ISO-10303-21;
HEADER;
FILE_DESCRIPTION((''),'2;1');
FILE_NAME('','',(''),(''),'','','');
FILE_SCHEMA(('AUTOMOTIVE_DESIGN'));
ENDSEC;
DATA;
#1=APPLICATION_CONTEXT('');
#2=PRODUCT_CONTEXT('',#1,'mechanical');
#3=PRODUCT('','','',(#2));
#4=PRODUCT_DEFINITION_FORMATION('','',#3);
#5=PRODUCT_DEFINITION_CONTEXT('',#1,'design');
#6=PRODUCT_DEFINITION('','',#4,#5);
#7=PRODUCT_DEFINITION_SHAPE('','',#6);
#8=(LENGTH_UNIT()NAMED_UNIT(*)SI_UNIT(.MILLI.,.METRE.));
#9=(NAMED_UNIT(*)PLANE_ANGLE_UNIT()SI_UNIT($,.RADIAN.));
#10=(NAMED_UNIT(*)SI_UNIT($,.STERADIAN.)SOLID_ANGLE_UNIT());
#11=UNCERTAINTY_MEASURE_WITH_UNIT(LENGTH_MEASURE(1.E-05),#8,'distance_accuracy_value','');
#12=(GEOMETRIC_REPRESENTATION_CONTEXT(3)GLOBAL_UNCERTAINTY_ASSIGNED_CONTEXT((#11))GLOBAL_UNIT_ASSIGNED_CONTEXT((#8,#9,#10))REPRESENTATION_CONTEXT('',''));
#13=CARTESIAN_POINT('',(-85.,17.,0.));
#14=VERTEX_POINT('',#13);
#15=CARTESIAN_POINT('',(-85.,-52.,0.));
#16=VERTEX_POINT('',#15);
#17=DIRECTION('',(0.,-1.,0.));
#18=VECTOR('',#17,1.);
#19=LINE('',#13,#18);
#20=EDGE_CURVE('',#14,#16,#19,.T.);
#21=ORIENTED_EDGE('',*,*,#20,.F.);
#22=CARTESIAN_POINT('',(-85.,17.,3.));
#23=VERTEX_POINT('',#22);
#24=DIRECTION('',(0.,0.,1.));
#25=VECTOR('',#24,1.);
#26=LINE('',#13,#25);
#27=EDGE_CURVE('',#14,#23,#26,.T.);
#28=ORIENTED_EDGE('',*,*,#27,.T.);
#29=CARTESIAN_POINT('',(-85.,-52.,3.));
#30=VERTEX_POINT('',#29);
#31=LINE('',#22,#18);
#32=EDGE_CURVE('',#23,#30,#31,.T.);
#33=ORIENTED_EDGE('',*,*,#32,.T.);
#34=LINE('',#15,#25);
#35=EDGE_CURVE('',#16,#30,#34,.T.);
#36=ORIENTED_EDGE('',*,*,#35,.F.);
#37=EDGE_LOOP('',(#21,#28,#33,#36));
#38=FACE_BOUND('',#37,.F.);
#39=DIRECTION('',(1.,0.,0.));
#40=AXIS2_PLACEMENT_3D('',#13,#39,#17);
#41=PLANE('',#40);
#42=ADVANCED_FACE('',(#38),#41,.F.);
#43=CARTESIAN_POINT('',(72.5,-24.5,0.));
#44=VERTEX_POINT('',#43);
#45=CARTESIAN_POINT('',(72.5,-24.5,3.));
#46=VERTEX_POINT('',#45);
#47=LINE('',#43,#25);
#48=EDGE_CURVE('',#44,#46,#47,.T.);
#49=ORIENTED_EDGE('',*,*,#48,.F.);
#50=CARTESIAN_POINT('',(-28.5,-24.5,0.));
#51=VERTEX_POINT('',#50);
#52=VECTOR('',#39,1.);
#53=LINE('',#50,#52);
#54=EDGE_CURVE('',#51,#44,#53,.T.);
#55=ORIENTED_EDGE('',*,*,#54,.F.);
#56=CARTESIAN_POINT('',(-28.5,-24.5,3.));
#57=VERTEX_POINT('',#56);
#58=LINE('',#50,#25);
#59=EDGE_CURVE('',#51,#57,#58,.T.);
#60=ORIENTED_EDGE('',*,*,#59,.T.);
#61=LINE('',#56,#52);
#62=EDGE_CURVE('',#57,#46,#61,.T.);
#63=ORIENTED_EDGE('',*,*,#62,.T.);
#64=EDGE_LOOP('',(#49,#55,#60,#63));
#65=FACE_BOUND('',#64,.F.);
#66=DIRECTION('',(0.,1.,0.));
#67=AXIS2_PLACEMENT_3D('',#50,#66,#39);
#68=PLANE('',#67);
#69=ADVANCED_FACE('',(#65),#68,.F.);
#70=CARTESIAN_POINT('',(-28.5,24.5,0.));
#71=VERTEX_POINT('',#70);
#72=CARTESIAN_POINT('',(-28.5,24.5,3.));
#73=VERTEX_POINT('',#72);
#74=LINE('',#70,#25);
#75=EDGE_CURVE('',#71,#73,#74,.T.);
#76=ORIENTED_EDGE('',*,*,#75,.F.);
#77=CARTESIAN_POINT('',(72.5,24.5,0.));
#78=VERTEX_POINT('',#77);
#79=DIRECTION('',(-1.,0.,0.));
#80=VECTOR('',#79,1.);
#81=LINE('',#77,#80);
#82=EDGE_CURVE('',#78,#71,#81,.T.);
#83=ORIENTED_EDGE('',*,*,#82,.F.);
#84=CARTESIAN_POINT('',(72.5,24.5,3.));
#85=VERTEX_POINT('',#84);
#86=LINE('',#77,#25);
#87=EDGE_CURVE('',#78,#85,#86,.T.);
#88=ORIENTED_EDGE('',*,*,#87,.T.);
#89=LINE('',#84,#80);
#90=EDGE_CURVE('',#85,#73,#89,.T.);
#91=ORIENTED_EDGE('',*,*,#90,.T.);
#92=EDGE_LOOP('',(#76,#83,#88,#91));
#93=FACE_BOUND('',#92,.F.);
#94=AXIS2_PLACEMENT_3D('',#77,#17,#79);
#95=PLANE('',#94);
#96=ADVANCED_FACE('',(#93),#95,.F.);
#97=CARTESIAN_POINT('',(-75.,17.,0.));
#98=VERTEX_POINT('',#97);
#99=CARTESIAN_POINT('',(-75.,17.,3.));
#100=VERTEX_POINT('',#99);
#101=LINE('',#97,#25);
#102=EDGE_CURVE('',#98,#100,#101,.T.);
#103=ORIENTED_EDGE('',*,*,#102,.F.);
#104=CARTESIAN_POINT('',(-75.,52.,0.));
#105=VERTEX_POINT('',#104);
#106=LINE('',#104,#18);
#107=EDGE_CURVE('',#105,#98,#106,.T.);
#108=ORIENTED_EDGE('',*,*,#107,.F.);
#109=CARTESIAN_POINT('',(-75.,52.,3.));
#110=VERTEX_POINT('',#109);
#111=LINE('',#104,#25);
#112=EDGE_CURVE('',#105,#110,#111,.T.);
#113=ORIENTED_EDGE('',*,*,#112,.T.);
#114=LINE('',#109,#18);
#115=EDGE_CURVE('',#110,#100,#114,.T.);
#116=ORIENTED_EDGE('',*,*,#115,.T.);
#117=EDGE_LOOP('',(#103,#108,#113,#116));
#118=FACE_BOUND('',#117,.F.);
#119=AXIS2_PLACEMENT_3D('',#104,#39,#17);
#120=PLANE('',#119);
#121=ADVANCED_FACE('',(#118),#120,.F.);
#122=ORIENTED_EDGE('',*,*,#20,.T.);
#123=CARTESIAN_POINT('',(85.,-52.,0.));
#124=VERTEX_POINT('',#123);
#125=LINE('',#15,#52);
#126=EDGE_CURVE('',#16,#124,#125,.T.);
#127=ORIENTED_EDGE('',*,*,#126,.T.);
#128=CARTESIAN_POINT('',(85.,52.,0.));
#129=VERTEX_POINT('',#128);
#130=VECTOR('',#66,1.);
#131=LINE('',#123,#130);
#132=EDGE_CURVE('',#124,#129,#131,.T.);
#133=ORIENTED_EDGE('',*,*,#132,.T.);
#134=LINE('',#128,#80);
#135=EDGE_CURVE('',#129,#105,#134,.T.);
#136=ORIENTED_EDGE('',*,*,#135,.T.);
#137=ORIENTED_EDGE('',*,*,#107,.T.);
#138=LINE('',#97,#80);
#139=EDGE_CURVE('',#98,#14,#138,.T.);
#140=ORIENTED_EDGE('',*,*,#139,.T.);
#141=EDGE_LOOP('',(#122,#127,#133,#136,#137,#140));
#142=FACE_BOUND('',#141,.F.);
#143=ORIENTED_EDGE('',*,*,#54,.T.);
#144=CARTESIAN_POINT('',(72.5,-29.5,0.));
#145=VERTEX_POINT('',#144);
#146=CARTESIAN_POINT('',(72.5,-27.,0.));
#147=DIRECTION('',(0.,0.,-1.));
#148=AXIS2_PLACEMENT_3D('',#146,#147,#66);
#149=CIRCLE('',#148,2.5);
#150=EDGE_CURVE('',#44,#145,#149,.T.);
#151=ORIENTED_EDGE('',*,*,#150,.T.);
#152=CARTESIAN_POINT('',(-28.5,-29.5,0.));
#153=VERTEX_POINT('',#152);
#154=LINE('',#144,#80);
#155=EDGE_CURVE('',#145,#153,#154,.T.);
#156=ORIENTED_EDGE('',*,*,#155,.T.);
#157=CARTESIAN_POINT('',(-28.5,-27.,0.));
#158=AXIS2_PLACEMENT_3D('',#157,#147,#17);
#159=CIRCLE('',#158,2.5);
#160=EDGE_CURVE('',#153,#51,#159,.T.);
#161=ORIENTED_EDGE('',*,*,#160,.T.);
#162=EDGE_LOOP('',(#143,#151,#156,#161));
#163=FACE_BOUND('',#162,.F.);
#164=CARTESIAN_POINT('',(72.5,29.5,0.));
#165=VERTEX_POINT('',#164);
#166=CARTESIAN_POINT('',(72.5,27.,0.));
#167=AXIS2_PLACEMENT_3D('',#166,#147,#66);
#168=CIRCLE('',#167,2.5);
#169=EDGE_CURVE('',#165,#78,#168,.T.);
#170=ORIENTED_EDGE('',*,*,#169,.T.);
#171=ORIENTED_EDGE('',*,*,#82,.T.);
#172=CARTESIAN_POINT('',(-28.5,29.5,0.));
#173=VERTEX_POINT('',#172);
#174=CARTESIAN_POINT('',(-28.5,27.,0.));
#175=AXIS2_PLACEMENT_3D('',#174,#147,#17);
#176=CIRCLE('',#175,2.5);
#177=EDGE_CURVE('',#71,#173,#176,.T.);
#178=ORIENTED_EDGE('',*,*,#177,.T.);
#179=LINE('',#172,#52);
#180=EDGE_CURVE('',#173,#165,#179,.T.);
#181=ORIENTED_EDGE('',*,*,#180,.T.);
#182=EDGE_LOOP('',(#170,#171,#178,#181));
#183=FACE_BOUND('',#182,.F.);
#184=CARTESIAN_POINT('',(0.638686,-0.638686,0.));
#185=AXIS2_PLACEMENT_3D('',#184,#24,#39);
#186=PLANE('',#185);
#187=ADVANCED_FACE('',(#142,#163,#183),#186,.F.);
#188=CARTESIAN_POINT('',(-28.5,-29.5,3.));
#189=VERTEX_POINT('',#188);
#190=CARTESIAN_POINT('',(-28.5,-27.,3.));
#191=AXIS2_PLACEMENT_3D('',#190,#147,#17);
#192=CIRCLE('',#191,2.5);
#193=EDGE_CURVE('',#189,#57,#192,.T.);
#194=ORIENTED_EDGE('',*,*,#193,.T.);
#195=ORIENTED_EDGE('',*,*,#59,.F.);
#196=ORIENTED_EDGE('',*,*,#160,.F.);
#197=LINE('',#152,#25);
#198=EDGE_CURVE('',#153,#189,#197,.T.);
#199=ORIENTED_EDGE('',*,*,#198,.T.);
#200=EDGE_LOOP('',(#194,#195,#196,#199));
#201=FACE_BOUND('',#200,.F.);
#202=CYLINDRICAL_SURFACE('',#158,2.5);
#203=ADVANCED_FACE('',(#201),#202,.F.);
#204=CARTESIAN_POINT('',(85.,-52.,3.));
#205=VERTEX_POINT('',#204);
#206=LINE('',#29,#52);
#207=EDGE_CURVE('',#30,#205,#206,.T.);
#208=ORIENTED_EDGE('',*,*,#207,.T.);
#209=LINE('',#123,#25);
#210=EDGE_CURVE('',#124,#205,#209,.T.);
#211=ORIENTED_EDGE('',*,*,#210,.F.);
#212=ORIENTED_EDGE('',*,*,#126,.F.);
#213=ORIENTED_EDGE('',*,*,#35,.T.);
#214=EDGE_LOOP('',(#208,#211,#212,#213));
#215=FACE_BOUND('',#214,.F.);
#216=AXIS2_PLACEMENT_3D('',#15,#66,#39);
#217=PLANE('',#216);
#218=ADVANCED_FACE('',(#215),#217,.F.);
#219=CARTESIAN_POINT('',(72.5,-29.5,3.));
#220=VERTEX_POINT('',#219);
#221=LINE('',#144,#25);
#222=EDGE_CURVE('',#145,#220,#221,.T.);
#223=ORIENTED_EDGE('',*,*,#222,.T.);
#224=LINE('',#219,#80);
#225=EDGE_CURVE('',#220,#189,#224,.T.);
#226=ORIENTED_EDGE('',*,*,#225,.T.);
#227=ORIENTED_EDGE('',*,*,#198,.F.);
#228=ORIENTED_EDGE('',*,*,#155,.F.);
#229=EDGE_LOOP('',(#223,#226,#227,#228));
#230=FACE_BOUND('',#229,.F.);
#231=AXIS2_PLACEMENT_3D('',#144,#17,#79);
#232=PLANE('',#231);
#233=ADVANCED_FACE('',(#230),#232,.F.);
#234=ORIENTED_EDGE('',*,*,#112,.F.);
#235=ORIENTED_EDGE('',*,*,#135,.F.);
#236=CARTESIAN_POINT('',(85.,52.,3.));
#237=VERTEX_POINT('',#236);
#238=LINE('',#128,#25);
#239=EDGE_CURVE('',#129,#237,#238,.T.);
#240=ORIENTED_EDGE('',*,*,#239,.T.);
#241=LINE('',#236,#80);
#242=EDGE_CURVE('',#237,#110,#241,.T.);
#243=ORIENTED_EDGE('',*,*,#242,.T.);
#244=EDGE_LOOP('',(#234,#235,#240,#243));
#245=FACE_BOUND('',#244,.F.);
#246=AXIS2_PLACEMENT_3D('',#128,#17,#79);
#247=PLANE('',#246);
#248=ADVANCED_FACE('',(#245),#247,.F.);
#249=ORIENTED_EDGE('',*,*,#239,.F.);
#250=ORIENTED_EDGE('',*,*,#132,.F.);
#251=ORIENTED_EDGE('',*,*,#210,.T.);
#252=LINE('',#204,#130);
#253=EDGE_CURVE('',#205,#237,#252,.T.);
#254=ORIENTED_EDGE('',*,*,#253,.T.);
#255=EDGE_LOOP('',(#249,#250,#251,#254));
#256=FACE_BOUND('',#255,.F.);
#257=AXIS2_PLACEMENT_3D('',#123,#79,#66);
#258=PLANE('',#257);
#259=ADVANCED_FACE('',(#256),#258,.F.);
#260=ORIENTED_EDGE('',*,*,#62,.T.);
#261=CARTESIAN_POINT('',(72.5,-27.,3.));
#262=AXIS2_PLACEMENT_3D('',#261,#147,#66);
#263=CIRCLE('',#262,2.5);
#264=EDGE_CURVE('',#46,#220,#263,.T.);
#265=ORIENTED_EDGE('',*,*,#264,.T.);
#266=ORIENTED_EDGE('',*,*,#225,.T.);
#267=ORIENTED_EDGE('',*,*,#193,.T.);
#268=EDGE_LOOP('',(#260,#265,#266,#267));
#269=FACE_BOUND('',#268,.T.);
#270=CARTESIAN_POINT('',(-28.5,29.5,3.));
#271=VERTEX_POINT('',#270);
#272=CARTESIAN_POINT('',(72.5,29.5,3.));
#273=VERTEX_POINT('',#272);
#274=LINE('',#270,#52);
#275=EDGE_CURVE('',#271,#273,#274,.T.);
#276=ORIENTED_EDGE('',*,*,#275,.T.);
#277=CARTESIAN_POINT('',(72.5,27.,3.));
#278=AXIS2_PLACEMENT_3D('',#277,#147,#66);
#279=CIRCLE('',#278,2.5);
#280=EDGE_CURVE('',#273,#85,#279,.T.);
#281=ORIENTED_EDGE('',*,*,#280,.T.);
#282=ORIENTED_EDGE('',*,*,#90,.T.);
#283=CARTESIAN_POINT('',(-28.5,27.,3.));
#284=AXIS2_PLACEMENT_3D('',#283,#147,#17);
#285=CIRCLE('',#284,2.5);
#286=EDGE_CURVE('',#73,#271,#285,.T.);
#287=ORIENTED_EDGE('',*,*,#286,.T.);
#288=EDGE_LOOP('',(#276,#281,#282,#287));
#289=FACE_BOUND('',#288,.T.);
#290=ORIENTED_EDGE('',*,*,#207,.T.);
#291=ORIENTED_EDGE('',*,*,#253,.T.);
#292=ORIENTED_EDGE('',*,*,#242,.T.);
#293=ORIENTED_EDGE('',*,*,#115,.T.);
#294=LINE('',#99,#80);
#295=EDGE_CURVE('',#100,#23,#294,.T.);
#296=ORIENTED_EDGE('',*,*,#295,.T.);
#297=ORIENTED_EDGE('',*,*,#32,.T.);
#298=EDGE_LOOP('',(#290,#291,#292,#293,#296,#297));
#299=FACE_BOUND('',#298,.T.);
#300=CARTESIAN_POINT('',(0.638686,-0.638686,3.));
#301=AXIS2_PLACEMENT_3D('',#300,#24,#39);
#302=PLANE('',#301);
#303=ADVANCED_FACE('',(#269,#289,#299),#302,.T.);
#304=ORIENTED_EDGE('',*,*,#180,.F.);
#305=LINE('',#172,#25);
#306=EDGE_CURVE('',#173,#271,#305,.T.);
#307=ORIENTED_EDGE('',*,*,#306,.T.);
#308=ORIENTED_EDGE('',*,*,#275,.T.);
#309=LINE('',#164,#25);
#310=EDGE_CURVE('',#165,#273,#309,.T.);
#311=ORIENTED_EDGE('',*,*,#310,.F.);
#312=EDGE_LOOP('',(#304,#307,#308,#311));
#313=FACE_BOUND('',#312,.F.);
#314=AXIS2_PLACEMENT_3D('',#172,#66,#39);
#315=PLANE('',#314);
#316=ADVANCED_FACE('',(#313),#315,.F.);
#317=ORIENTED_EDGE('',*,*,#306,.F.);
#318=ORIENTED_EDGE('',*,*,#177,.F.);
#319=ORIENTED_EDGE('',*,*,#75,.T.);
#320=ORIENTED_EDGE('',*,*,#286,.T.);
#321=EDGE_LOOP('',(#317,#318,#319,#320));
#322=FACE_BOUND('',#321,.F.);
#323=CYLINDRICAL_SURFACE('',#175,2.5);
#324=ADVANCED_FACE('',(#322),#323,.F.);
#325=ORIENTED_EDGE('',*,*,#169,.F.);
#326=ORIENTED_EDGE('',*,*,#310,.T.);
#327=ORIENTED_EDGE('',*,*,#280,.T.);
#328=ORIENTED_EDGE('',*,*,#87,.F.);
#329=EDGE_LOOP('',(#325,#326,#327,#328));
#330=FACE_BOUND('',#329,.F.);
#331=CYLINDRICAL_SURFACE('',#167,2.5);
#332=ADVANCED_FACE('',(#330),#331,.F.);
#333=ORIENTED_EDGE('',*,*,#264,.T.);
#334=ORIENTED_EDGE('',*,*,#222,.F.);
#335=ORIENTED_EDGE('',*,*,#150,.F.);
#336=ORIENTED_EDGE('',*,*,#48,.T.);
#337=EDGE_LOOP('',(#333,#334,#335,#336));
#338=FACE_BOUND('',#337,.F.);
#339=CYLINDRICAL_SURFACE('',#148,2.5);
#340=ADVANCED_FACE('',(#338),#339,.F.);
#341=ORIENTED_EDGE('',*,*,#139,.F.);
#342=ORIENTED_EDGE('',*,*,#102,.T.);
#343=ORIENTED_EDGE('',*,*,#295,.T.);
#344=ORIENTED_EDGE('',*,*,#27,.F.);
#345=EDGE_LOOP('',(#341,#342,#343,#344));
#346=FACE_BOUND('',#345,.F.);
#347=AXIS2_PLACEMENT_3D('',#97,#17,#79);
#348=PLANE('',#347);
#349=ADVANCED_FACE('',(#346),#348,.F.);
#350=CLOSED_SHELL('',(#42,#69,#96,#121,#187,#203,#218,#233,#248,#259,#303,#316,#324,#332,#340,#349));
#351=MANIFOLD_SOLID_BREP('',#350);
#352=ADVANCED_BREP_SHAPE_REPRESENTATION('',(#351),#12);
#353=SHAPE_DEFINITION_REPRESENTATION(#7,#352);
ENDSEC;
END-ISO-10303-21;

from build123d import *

# Parameters (mm, degrees)
F1_DEPTH = 3


with BuildPart() as f1:
    # F0 (on Top) → F1 (new body)
    with BuildSketch(Plane.XY):
        Polygon((85, 52), (-75, 52), (-75, 17), (-85, 17), (-85, -52), (85, -52), align=None)
        with BuildLine():
            ThreePointArc((72.5, -24.5), (75, -27), (72.5, -29.5))
            Line((72.5, -29.5), (-28.5, -29.5))
            ThreePointArc((-28.5, -29.5), (-31, -27), (-28.5, -24.5))
            Line((-28.5, -24.5), (72.5, -24.5))
        make_face(mode=Mode.SUBTRACT)
        with BuildLine():
            Line((-28.5, 29.5), (72.5, 29.5))
            ThreePointArc((72.5, 29.5), (75, 27), (72.5, 24.5))
            Line((72.5, 24.5), (-28.5, 24.5))
            ThreePointArc((-28.5, 24.5), (-31, 27), (-28.5, 29.5))
        make_face(mode=Mode.SUBTRACT)
    extrude(amount=F1_DEPTH)


solid = f1.part
